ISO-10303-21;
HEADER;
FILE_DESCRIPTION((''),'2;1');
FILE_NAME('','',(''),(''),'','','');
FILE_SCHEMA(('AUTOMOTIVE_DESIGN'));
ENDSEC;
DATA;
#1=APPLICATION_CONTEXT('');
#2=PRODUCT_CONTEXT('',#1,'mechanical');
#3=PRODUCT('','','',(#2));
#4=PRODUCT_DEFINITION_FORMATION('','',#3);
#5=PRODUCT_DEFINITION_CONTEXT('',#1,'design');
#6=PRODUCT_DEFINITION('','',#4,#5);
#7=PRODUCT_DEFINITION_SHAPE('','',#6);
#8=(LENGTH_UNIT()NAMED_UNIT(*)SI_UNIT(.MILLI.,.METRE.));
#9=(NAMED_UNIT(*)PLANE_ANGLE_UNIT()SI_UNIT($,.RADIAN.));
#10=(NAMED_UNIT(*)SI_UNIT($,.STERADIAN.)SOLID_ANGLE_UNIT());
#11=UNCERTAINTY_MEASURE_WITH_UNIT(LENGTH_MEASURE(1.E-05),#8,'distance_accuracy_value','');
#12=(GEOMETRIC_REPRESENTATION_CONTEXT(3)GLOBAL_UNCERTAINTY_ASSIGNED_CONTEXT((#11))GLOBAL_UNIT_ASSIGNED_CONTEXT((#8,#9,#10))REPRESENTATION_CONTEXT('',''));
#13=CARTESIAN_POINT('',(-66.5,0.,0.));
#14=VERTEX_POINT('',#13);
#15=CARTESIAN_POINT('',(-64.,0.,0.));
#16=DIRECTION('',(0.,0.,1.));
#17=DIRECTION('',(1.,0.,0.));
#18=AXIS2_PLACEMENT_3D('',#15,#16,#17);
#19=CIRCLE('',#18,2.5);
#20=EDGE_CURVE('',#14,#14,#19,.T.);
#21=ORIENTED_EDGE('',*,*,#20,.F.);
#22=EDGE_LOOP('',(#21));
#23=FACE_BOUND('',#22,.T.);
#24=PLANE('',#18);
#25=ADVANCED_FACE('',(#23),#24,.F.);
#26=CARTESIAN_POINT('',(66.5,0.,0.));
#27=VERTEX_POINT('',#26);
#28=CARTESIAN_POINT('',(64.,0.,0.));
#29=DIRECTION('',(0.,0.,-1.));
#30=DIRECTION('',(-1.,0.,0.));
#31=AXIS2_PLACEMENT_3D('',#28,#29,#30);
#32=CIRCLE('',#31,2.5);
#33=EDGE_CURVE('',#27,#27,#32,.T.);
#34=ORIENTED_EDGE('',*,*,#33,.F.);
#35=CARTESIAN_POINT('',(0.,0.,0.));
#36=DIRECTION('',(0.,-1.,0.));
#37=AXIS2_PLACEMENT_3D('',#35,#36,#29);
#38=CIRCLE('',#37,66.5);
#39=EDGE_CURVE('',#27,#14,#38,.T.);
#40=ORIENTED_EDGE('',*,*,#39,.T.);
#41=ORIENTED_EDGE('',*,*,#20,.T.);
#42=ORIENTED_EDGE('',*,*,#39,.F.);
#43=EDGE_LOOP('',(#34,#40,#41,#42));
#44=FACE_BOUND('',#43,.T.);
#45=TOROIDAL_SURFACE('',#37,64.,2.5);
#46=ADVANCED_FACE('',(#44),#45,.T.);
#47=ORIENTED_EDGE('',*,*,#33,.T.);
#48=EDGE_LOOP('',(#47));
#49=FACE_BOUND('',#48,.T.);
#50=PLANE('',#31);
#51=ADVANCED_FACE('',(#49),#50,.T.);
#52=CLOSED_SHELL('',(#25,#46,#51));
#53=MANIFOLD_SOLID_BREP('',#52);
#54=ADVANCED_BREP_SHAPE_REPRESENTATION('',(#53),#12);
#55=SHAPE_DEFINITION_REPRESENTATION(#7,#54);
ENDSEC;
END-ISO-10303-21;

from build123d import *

# Parameters (mm, degrees)
SKETCH1_R = 2.5


with BuildPart() as part:
    # Sweep1: sweep along a path in Sketch2
    with BuildLine(Plane(origin=(0, 0, 0), x_dir=(1, 0, 0), z_dir=(0, 1, 0))) as sweep1_path:
        ThreePointArc((64, 0), (0, -64), (-64, 0))
    # Sketch1 → Sweep1 (sweep)
    with BuildSketch(Plane.XY):
        with Locations((-64, 0)):
            Circle(SKETCH1_R)
    sweep(path=sweep1_path.line)


solid = part.part
